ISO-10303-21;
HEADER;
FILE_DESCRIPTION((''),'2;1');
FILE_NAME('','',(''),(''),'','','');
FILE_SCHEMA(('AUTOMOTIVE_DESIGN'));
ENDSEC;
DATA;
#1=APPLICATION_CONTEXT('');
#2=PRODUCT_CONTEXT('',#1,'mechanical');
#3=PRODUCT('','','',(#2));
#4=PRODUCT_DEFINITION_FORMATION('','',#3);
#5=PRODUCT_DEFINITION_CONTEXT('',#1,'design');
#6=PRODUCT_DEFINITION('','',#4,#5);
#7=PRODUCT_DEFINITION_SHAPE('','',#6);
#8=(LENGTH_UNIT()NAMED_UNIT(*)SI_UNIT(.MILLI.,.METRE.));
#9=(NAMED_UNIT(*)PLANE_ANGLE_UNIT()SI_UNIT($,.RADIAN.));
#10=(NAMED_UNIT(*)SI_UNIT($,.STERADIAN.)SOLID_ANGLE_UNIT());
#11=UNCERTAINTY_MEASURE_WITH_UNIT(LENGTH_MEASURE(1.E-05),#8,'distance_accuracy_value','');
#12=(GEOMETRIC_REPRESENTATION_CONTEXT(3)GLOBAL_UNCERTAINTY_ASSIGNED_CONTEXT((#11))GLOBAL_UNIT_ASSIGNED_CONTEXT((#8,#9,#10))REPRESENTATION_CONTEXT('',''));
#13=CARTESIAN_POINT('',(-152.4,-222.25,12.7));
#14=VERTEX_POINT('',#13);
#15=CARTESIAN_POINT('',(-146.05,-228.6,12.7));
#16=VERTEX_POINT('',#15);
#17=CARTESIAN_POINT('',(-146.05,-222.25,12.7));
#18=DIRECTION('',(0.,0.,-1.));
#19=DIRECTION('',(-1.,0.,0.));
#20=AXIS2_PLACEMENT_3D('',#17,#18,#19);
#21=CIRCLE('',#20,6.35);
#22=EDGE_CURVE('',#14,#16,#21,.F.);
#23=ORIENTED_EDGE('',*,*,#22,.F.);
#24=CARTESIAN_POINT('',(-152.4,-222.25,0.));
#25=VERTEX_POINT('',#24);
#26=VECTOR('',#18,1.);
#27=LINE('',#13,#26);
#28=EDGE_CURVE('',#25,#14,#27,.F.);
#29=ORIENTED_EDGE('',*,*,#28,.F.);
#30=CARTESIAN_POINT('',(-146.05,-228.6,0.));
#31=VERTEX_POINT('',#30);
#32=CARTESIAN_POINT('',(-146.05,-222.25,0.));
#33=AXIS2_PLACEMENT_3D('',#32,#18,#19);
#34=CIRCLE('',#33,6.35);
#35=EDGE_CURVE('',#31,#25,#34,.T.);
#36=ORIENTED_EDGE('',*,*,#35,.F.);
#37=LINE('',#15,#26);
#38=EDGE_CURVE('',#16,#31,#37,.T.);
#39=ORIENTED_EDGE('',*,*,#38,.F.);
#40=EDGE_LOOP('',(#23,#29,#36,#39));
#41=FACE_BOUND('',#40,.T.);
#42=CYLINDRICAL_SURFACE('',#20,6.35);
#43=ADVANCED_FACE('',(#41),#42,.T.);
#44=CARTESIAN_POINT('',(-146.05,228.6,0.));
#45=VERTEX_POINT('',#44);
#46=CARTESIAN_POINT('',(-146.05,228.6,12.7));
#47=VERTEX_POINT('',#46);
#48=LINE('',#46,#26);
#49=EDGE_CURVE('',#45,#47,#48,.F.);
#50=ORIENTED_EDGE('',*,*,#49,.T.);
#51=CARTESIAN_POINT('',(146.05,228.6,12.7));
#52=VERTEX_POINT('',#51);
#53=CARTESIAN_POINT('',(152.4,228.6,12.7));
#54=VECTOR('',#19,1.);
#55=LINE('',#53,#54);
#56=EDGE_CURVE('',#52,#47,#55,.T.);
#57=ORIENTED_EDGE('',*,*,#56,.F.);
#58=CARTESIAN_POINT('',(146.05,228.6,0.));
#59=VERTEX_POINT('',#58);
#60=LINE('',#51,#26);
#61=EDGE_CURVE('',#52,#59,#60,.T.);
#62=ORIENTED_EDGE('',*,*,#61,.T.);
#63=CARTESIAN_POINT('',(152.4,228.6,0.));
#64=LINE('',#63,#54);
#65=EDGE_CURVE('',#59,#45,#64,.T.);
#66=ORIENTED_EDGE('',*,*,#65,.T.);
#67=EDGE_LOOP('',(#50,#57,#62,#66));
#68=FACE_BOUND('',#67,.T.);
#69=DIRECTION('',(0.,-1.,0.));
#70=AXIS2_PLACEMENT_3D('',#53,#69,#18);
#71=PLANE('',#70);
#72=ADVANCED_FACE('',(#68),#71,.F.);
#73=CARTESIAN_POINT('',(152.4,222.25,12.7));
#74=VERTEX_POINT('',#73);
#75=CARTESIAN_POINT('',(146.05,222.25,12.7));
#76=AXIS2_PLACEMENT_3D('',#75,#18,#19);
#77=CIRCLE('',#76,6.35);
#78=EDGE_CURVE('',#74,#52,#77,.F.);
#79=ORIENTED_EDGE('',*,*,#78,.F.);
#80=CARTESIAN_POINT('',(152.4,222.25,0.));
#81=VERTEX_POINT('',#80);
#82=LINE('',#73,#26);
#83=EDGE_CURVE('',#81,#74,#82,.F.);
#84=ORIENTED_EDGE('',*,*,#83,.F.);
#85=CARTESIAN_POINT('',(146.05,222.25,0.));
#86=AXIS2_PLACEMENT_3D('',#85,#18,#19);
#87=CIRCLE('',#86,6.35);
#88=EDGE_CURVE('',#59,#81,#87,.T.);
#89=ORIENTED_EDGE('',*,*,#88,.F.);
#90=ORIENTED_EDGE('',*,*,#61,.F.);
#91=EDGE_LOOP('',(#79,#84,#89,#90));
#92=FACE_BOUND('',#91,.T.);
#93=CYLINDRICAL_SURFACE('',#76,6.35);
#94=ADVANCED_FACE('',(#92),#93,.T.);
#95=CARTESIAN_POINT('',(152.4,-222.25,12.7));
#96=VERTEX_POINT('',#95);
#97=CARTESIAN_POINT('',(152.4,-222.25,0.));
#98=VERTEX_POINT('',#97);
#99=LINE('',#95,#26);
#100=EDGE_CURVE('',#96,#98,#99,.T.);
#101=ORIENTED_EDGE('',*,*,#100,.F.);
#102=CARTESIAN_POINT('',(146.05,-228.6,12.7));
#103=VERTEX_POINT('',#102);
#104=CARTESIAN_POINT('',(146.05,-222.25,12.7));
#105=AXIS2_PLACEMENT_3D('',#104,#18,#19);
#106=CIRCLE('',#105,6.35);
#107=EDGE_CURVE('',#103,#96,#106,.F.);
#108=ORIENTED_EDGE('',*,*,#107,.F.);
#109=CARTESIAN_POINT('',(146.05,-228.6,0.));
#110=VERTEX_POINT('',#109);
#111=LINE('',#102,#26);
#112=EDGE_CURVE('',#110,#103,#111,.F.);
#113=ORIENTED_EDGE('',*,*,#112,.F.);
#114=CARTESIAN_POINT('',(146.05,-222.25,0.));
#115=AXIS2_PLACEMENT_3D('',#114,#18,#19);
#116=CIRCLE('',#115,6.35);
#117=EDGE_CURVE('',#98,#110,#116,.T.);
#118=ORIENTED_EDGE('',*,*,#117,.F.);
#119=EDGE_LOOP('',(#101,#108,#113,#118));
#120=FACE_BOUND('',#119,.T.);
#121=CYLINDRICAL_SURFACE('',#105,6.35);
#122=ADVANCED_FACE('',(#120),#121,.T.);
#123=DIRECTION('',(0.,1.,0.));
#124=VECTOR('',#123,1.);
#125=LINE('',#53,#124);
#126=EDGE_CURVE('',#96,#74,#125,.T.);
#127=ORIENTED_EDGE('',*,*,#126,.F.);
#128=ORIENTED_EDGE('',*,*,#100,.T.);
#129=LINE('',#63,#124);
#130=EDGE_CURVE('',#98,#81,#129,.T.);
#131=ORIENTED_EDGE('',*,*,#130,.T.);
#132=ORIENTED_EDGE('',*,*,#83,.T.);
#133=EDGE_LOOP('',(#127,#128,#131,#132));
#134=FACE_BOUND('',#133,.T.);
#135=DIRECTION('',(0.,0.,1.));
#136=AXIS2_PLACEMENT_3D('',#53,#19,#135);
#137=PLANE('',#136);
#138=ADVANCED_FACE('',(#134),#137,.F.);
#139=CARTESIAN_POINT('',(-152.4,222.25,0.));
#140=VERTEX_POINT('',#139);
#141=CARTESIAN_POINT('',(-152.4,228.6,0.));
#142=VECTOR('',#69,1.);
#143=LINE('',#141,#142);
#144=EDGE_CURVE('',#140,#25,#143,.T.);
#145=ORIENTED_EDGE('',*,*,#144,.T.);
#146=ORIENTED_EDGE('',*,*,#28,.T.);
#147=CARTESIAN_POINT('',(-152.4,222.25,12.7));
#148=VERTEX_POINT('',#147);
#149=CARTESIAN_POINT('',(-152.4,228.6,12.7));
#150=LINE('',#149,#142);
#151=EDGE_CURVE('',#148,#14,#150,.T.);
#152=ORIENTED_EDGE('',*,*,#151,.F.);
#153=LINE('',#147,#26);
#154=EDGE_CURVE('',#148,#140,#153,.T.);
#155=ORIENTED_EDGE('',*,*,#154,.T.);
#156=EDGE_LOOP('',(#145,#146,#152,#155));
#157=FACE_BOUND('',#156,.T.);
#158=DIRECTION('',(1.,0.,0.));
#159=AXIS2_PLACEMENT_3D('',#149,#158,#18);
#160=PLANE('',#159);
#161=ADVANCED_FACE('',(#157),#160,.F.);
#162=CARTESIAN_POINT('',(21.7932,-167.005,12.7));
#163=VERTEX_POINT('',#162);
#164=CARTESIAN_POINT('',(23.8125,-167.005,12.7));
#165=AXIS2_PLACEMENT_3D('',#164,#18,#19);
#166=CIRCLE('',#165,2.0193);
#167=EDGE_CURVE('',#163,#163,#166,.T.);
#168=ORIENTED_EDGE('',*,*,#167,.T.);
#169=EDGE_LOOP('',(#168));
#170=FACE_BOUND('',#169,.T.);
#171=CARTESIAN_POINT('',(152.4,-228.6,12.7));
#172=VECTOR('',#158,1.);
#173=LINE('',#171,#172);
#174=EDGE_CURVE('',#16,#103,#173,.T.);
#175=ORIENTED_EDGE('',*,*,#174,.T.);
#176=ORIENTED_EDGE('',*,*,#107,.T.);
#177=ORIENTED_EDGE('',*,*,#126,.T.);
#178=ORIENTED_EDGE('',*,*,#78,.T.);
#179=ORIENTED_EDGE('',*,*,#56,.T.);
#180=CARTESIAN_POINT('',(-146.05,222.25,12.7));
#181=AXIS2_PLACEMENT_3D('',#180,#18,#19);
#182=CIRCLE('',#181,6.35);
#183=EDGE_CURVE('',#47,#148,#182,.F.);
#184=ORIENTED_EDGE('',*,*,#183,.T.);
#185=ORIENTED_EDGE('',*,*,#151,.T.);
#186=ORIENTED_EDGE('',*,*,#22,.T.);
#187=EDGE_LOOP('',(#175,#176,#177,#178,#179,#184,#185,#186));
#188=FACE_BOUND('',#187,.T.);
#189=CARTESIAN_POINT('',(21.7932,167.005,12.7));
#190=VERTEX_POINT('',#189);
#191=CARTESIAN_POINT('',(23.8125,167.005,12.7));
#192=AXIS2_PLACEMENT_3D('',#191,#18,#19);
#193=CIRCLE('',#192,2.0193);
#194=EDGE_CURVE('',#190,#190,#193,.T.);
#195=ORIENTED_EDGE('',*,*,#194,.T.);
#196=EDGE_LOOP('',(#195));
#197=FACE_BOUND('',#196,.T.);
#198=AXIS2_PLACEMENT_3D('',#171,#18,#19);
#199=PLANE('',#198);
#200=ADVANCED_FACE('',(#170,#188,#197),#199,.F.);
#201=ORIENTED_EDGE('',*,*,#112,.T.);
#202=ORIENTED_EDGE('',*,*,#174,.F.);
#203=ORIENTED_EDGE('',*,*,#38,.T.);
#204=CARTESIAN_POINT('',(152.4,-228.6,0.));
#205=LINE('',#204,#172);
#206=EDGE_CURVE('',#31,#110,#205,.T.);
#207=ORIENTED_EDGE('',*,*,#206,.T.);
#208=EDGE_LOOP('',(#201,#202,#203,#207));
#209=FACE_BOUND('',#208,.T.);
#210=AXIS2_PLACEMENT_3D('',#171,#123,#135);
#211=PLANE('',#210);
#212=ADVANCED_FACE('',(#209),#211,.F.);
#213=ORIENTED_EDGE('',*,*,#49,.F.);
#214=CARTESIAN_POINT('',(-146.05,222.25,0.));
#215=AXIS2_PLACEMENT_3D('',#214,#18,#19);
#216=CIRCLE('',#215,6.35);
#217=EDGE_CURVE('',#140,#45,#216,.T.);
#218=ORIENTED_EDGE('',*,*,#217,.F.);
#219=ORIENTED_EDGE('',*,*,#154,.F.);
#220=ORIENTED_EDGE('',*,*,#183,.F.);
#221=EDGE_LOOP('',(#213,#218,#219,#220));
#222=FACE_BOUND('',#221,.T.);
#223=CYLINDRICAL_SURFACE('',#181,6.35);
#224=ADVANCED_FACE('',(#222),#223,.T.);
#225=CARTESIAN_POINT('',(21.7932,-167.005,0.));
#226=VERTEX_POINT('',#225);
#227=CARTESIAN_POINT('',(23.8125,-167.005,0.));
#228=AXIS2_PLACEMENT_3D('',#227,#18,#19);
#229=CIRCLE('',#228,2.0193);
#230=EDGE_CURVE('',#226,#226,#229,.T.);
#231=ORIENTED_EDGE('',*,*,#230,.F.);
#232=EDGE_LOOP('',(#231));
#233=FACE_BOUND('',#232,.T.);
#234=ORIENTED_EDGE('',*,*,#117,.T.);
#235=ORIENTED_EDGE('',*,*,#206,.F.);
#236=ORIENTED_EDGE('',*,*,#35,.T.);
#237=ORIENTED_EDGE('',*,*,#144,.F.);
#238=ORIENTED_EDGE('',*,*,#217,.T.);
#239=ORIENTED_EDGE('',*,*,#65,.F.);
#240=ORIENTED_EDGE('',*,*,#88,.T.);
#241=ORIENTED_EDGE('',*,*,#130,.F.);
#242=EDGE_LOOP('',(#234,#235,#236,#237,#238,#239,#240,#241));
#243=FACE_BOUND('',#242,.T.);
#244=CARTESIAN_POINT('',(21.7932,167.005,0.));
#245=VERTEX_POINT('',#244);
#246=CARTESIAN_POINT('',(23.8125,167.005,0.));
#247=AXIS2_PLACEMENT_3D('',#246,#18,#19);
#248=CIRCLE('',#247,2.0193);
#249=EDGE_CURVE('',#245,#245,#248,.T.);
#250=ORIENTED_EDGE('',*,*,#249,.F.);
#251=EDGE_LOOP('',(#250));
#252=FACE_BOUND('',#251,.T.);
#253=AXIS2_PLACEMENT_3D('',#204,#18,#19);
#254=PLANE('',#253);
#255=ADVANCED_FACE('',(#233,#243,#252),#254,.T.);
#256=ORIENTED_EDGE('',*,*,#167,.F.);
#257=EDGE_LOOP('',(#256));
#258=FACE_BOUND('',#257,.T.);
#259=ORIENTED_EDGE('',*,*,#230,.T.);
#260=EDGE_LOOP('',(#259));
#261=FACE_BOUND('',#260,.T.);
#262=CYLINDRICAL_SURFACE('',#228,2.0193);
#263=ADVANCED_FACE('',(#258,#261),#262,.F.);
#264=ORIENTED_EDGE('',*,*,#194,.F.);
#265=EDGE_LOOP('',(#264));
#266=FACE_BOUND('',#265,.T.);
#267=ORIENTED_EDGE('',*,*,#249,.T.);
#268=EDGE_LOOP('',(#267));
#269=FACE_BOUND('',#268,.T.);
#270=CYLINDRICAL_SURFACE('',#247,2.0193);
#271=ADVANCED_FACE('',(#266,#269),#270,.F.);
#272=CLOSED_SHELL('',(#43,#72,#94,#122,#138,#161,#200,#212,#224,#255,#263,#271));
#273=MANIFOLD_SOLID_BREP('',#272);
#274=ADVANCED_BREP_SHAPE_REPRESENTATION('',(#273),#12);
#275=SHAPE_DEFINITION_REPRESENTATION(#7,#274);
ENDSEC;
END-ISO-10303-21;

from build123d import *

# Parameters (mm, degrees)
SKETCH2_W              = 304.8
SKETCH2_H              = 457.2
BOSS_EXTRUDE1_DEPTH    = 12.7
FILLET1_R              = 6.35
F_10_32_TAPPED_HOLE1_D = 4.0386


with BuildPart() as part:
    # Sketch2 → Boss-Extrude1 (new body)
    with BuildSketch(Plane.XY):
        Rectangle(SKETCH2_W, SKETCH2_H)
    extrude(amount=BOSS_EXTRUDE1_DEPTH)

    # Fillet1
    fillet1_edges = [part.edges().sort_by_distance(p)[0] for p in [
        (152.4, -228.6, 6.35),
        (-152.4, -228.6, 6.35),
        (-152.4, 228.6, 6.35),
        (152.4, 228.6, 6.35),
    ]]
    fillet(fillet1_edges, radius=FILLET1_R)

    # #10-32 Tapped Hole1 (through all)
    with Locations(Plane(origin=(0, 0, 0), x_dir=(-1, 0, 0), z_dir=(0, 0, -1))):
        with Locations((-23.8125, -167.005), (-23.8125, 167.005)):
            Hole(F_10_32_TAPPED_HOLE1_D / 2)


solid = part.part
